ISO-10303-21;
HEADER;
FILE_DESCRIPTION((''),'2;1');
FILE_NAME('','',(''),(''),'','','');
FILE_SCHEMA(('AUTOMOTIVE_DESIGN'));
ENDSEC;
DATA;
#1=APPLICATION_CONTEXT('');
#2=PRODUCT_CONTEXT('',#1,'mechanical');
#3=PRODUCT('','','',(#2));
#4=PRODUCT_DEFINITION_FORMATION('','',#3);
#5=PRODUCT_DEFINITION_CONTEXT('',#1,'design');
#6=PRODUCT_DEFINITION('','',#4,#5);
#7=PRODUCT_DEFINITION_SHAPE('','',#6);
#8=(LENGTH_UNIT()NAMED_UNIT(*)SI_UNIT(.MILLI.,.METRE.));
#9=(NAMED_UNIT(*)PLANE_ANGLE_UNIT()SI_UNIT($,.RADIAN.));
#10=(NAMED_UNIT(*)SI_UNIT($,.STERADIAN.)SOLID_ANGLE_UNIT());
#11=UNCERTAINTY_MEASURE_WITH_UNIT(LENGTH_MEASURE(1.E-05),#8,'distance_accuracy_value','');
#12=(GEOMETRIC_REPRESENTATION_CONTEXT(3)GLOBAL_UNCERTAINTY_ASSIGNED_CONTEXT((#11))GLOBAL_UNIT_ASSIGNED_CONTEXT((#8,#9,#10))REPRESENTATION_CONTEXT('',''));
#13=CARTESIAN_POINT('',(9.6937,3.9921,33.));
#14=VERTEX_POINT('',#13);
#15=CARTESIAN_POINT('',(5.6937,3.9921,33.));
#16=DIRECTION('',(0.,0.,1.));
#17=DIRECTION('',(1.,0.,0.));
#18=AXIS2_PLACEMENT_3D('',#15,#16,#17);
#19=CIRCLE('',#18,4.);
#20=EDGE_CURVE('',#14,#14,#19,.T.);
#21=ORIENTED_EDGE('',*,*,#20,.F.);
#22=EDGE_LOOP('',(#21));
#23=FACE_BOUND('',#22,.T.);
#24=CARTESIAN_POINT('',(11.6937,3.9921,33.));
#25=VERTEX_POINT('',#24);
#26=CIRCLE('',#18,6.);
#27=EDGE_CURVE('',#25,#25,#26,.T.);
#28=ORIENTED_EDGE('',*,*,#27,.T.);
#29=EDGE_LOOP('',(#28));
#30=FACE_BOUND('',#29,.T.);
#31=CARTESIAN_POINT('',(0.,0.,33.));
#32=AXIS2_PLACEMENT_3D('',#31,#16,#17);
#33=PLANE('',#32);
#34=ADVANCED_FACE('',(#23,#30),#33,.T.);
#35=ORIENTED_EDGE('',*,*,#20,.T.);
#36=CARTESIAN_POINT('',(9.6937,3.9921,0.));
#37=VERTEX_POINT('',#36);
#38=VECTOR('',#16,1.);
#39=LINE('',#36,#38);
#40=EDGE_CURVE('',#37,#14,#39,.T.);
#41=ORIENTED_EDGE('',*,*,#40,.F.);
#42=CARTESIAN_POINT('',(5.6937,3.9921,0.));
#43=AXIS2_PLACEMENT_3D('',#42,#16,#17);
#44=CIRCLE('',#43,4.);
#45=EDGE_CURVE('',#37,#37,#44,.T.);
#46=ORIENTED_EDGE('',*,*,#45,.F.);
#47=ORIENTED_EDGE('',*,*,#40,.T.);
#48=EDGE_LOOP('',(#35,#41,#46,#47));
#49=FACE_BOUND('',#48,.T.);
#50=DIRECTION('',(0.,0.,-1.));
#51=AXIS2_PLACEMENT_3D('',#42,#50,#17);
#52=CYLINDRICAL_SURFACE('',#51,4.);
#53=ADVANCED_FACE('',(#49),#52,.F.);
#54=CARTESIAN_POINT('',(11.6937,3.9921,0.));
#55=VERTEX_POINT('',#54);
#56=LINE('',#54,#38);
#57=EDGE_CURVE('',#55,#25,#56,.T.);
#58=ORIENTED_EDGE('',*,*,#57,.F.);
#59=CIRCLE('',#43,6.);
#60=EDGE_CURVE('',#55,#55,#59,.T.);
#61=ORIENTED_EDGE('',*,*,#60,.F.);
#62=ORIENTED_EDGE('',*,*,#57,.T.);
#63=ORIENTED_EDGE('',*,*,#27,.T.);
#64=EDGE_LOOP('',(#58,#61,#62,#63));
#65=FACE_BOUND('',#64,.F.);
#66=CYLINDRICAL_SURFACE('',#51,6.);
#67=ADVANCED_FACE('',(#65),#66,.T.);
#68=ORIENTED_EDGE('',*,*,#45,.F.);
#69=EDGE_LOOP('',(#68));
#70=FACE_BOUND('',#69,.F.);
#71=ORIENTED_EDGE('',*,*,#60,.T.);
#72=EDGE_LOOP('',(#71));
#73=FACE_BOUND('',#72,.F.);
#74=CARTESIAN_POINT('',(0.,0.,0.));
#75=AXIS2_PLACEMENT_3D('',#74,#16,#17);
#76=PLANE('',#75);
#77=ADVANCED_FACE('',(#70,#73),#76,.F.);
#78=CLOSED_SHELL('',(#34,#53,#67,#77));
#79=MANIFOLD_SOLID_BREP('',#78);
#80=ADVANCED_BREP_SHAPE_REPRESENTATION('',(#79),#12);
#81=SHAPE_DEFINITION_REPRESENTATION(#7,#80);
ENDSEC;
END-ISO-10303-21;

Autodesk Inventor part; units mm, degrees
ref_plane "YZ Plane" through (0, 0, 0) normal (1, 0, 0) x (0, 1, 0)
ref_plane "XZ Plane" through (0, 0, 0) normal (0, 1, 0) x (-1, 0, 0)
ref_plane "XY Plane" through (0, 0, 0) normal (0, 0, 1) x (1, 0, 0)
sketch "Boceto1" plane through (0, 0, 0) normal (0, 0, 1) x (1, 0, 0)
  circle A0 centre (5.6937, 3.9921) radius 6
  circle A1 centre (5.6937, 3.9921) radius 4
  point P0 (0, 0)
  dimension "d0" = 12
  dimension "d1" = 8
extrude "Extrusión1" add sketch "Boceto1" along normal blind 33
properties part number "espaciador"
